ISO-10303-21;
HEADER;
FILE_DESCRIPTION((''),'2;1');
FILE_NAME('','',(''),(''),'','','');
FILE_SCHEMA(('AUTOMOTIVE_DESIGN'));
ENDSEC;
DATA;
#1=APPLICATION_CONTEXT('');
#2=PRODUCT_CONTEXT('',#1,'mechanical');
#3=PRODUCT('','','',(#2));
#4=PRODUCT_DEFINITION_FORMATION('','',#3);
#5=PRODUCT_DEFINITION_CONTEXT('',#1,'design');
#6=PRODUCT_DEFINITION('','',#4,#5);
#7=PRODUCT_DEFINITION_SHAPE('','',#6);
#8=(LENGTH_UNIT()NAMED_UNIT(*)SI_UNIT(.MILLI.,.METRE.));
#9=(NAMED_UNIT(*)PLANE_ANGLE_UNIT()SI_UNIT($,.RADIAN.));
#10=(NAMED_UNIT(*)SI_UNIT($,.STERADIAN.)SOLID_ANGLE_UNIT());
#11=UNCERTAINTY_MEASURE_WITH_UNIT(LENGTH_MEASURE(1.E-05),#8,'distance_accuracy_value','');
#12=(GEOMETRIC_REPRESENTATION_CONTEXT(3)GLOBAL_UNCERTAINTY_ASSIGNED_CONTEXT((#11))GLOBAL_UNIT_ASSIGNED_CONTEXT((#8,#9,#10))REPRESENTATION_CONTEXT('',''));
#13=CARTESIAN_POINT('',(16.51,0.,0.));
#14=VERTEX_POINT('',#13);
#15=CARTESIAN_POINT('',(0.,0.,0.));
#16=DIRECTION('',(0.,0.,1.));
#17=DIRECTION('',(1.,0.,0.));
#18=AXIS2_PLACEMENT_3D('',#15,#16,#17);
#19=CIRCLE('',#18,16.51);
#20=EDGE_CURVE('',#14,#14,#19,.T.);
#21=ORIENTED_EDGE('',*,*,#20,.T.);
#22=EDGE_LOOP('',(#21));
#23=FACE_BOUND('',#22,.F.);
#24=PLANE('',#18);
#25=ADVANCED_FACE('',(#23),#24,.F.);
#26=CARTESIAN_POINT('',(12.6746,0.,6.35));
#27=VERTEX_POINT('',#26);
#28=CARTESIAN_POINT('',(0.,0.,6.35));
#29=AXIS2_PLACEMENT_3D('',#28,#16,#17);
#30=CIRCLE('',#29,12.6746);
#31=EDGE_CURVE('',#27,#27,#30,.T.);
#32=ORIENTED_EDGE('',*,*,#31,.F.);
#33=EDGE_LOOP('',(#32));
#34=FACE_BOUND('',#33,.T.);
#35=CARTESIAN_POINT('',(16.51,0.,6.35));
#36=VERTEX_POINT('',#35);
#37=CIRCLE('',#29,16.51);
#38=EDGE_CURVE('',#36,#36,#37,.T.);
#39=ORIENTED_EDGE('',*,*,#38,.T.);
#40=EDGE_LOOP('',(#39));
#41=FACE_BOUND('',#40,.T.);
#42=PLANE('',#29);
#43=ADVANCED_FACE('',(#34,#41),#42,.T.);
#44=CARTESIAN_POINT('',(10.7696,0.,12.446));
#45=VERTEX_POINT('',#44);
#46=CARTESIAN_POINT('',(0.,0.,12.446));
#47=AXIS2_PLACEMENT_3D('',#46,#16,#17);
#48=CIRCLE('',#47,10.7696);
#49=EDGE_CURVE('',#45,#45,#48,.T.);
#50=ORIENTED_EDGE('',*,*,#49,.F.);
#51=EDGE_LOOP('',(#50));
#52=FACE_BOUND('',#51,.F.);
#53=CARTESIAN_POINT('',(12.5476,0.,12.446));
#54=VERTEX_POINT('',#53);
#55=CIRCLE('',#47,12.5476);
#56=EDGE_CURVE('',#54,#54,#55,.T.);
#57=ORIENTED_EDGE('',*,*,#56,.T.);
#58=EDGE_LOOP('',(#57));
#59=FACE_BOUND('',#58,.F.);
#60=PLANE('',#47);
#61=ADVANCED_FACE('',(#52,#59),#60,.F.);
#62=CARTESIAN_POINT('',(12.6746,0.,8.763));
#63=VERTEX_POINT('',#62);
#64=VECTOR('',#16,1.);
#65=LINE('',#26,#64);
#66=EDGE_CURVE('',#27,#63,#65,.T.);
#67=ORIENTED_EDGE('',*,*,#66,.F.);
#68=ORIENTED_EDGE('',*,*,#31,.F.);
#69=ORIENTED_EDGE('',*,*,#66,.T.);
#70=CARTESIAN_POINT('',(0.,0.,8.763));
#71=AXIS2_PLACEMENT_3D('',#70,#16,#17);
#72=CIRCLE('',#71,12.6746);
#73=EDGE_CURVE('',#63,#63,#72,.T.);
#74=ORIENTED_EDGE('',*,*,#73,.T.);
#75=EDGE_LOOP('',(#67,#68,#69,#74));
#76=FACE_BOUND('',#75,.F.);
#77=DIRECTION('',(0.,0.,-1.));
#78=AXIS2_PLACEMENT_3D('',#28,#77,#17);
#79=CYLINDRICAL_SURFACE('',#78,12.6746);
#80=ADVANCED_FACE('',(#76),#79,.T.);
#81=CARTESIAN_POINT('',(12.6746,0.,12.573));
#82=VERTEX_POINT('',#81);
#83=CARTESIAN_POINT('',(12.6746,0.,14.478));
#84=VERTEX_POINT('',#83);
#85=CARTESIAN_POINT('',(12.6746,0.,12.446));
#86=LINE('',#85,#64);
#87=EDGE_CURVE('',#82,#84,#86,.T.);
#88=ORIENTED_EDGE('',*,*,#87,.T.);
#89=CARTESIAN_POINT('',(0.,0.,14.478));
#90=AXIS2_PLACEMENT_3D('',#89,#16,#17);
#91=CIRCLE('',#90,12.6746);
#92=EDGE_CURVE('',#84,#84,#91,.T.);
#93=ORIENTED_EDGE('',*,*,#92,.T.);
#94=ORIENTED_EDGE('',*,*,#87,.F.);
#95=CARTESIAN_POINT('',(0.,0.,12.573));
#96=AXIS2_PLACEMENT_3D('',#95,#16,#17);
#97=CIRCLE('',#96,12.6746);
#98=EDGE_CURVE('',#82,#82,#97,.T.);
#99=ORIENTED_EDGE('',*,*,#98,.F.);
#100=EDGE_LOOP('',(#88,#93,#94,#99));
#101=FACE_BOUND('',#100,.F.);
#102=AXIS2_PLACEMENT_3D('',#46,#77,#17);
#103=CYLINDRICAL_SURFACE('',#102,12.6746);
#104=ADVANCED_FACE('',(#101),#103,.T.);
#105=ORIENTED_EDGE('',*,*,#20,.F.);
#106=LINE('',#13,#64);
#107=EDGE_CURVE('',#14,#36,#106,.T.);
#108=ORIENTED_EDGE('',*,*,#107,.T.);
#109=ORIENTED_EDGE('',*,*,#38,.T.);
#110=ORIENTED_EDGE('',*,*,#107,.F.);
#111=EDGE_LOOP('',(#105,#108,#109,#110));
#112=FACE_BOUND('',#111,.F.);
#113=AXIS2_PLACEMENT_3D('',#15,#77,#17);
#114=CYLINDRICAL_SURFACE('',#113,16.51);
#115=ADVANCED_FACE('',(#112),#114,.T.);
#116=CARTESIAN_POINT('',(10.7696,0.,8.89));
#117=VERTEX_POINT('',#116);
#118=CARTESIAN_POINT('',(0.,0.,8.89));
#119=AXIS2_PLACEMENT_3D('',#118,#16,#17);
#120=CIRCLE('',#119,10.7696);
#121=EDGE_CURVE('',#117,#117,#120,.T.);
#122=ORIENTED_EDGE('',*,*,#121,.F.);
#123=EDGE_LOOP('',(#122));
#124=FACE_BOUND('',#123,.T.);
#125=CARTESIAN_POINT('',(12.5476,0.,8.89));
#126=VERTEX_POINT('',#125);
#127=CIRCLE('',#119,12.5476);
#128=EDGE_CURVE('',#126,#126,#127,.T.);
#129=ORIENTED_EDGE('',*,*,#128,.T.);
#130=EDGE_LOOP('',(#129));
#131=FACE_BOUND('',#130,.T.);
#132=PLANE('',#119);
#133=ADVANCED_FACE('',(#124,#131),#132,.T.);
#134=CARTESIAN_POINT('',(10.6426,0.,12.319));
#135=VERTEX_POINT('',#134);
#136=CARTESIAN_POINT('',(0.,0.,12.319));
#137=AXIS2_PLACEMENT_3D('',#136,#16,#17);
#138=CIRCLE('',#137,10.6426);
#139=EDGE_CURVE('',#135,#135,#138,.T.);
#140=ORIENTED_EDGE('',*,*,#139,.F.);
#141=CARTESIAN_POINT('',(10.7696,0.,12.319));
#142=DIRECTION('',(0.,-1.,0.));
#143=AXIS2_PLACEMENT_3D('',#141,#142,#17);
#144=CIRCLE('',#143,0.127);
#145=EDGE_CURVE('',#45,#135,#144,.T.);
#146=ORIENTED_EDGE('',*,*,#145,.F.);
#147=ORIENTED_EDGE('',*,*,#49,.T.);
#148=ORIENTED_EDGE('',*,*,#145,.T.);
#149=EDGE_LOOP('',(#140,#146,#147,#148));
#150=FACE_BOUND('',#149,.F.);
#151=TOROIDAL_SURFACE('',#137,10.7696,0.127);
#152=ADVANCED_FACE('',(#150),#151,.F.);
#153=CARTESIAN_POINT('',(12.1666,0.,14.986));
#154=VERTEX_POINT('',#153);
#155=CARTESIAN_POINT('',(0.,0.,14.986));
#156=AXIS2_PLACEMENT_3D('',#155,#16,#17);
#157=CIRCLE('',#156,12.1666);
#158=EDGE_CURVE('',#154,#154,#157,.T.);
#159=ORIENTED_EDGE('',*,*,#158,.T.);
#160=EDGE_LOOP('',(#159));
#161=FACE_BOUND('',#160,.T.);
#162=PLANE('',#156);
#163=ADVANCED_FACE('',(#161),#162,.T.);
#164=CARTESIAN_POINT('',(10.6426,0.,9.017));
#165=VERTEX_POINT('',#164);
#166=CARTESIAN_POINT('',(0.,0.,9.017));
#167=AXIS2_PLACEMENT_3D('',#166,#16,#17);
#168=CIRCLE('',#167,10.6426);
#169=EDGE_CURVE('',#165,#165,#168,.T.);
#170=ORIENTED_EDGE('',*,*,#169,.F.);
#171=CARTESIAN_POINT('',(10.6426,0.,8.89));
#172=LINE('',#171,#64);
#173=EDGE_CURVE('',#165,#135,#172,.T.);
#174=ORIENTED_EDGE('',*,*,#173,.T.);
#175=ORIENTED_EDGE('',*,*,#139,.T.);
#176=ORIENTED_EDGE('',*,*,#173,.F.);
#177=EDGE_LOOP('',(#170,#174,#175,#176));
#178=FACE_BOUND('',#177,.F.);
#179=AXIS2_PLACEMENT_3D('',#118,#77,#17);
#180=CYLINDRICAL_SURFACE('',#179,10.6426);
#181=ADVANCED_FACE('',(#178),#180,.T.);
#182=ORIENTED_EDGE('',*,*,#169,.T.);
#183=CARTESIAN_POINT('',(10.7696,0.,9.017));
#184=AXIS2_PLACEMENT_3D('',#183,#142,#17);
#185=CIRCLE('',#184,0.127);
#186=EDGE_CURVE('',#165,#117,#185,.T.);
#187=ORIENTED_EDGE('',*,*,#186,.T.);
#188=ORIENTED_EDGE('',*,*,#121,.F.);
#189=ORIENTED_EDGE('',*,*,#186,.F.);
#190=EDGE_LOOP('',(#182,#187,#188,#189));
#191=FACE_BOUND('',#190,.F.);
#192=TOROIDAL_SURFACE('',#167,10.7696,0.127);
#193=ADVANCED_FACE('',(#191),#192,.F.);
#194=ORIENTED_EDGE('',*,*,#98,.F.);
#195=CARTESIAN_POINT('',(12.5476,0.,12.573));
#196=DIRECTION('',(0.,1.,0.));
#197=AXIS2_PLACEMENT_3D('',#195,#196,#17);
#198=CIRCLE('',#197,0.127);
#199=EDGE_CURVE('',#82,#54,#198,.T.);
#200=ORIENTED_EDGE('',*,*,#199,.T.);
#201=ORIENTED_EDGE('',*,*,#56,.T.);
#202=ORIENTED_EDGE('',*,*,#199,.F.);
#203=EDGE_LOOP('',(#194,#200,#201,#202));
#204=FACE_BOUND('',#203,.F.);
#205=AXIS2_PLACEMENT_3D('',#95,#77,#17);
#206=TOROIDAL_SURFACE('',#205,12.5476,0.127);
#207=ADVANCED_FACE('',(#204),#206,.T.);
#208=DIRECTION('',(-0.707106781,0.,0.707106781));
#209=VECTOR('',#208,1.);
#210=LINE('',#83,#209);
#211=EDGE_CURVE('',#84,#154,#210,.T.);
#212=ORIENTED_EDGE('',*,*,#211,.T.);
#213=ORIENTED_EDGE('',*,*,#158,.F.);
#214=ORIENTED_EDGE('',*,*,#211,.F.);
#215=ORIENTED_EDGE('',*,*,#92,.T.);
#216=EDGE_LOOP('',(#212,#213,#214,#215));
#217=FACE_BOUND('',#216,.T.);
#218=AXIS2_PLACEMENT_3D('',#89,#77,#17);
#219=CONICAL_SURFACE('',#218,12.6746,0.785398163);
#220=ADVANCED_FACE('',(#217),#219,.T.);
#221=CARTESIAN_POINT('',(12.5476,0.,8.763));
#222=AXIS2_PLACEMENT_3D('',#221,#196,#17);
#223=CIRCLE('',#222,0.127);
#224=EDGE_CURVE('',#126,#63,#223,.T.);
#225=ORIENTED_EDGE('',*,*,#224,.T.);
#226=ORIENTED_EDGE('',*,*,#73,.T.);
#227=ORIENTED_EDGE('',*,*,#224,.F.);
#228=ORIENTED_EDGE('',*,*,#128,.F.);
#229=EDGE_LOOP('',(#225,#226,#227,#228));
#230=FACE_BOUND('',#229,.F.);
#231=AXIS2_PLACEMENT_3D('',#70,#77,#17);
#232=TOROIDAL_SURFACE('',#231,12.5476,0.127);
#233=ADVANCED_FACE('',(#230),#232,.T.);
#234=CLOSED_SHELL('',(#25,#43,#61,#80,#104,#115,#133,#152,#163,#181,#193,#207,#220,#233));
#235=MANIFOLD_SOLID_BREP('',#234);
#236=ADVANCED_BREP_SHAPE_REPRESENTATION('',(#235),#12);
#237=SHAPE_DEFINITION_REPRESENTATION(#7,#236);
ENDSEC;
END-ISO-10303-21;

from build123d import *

# Parameters (mm, degrees)
F0_R     = 16.51
F1_DEPTH = 6.35
F2_R     = 12.6746
F3_DEPTH = 2.54
F4_R     = 10.6426
F5_DEPTH = 3.556
F6_R     = 12.6746
F7_DEPTH = 2.54
F8_R     = 0.127
F9_SIZE  = 0.508


with BuildPart() as f1:
    # F0 (on Top) → F1 (new body)
    with BuildSketch(Plane.XY):
        Circle(F0_R)
    extrude(amount=F1_DEPTH)

    # F2 (on face) → F3 (join)
    with BuildSketch(Plane.XY.offset(6.35)):
        Circle(F2_R)
    extrude(amount=F3_DEPTH)

    # F4 (on face) → F5 (join)
    with BuildSketch(Plane.XY.offset(8.89)):
        Circle(F4_R)
    extrude(amount=F5_DEPTH)

    # F6 (on face) → F7 (join)
    with BuildSketch(Plane.XY.offset(12.446)):
        Circle(F6_R)
    extrude(amount=F7_DEPTH)

    # F8
    f8_edges = [f1.edges().sort_by_distance(p)[0] for p in [
        (-10.6426, 0, 8.89),
        (-12.6746, 0, 8.89),
        (-12.6746, 0, 12.446),
        (-10.6426, 0, 12.446),
    ]]
    fillet(f8_edges, radius=F8_R)

    # F9
    f9_edges = [f1.edges().sort_by_distance(p)[0] for p in [
        (-12.6746, 0, 14.986),
    ]]
    chamfer(f9_edges, length=F9_SIZE)


solid = f1.part
